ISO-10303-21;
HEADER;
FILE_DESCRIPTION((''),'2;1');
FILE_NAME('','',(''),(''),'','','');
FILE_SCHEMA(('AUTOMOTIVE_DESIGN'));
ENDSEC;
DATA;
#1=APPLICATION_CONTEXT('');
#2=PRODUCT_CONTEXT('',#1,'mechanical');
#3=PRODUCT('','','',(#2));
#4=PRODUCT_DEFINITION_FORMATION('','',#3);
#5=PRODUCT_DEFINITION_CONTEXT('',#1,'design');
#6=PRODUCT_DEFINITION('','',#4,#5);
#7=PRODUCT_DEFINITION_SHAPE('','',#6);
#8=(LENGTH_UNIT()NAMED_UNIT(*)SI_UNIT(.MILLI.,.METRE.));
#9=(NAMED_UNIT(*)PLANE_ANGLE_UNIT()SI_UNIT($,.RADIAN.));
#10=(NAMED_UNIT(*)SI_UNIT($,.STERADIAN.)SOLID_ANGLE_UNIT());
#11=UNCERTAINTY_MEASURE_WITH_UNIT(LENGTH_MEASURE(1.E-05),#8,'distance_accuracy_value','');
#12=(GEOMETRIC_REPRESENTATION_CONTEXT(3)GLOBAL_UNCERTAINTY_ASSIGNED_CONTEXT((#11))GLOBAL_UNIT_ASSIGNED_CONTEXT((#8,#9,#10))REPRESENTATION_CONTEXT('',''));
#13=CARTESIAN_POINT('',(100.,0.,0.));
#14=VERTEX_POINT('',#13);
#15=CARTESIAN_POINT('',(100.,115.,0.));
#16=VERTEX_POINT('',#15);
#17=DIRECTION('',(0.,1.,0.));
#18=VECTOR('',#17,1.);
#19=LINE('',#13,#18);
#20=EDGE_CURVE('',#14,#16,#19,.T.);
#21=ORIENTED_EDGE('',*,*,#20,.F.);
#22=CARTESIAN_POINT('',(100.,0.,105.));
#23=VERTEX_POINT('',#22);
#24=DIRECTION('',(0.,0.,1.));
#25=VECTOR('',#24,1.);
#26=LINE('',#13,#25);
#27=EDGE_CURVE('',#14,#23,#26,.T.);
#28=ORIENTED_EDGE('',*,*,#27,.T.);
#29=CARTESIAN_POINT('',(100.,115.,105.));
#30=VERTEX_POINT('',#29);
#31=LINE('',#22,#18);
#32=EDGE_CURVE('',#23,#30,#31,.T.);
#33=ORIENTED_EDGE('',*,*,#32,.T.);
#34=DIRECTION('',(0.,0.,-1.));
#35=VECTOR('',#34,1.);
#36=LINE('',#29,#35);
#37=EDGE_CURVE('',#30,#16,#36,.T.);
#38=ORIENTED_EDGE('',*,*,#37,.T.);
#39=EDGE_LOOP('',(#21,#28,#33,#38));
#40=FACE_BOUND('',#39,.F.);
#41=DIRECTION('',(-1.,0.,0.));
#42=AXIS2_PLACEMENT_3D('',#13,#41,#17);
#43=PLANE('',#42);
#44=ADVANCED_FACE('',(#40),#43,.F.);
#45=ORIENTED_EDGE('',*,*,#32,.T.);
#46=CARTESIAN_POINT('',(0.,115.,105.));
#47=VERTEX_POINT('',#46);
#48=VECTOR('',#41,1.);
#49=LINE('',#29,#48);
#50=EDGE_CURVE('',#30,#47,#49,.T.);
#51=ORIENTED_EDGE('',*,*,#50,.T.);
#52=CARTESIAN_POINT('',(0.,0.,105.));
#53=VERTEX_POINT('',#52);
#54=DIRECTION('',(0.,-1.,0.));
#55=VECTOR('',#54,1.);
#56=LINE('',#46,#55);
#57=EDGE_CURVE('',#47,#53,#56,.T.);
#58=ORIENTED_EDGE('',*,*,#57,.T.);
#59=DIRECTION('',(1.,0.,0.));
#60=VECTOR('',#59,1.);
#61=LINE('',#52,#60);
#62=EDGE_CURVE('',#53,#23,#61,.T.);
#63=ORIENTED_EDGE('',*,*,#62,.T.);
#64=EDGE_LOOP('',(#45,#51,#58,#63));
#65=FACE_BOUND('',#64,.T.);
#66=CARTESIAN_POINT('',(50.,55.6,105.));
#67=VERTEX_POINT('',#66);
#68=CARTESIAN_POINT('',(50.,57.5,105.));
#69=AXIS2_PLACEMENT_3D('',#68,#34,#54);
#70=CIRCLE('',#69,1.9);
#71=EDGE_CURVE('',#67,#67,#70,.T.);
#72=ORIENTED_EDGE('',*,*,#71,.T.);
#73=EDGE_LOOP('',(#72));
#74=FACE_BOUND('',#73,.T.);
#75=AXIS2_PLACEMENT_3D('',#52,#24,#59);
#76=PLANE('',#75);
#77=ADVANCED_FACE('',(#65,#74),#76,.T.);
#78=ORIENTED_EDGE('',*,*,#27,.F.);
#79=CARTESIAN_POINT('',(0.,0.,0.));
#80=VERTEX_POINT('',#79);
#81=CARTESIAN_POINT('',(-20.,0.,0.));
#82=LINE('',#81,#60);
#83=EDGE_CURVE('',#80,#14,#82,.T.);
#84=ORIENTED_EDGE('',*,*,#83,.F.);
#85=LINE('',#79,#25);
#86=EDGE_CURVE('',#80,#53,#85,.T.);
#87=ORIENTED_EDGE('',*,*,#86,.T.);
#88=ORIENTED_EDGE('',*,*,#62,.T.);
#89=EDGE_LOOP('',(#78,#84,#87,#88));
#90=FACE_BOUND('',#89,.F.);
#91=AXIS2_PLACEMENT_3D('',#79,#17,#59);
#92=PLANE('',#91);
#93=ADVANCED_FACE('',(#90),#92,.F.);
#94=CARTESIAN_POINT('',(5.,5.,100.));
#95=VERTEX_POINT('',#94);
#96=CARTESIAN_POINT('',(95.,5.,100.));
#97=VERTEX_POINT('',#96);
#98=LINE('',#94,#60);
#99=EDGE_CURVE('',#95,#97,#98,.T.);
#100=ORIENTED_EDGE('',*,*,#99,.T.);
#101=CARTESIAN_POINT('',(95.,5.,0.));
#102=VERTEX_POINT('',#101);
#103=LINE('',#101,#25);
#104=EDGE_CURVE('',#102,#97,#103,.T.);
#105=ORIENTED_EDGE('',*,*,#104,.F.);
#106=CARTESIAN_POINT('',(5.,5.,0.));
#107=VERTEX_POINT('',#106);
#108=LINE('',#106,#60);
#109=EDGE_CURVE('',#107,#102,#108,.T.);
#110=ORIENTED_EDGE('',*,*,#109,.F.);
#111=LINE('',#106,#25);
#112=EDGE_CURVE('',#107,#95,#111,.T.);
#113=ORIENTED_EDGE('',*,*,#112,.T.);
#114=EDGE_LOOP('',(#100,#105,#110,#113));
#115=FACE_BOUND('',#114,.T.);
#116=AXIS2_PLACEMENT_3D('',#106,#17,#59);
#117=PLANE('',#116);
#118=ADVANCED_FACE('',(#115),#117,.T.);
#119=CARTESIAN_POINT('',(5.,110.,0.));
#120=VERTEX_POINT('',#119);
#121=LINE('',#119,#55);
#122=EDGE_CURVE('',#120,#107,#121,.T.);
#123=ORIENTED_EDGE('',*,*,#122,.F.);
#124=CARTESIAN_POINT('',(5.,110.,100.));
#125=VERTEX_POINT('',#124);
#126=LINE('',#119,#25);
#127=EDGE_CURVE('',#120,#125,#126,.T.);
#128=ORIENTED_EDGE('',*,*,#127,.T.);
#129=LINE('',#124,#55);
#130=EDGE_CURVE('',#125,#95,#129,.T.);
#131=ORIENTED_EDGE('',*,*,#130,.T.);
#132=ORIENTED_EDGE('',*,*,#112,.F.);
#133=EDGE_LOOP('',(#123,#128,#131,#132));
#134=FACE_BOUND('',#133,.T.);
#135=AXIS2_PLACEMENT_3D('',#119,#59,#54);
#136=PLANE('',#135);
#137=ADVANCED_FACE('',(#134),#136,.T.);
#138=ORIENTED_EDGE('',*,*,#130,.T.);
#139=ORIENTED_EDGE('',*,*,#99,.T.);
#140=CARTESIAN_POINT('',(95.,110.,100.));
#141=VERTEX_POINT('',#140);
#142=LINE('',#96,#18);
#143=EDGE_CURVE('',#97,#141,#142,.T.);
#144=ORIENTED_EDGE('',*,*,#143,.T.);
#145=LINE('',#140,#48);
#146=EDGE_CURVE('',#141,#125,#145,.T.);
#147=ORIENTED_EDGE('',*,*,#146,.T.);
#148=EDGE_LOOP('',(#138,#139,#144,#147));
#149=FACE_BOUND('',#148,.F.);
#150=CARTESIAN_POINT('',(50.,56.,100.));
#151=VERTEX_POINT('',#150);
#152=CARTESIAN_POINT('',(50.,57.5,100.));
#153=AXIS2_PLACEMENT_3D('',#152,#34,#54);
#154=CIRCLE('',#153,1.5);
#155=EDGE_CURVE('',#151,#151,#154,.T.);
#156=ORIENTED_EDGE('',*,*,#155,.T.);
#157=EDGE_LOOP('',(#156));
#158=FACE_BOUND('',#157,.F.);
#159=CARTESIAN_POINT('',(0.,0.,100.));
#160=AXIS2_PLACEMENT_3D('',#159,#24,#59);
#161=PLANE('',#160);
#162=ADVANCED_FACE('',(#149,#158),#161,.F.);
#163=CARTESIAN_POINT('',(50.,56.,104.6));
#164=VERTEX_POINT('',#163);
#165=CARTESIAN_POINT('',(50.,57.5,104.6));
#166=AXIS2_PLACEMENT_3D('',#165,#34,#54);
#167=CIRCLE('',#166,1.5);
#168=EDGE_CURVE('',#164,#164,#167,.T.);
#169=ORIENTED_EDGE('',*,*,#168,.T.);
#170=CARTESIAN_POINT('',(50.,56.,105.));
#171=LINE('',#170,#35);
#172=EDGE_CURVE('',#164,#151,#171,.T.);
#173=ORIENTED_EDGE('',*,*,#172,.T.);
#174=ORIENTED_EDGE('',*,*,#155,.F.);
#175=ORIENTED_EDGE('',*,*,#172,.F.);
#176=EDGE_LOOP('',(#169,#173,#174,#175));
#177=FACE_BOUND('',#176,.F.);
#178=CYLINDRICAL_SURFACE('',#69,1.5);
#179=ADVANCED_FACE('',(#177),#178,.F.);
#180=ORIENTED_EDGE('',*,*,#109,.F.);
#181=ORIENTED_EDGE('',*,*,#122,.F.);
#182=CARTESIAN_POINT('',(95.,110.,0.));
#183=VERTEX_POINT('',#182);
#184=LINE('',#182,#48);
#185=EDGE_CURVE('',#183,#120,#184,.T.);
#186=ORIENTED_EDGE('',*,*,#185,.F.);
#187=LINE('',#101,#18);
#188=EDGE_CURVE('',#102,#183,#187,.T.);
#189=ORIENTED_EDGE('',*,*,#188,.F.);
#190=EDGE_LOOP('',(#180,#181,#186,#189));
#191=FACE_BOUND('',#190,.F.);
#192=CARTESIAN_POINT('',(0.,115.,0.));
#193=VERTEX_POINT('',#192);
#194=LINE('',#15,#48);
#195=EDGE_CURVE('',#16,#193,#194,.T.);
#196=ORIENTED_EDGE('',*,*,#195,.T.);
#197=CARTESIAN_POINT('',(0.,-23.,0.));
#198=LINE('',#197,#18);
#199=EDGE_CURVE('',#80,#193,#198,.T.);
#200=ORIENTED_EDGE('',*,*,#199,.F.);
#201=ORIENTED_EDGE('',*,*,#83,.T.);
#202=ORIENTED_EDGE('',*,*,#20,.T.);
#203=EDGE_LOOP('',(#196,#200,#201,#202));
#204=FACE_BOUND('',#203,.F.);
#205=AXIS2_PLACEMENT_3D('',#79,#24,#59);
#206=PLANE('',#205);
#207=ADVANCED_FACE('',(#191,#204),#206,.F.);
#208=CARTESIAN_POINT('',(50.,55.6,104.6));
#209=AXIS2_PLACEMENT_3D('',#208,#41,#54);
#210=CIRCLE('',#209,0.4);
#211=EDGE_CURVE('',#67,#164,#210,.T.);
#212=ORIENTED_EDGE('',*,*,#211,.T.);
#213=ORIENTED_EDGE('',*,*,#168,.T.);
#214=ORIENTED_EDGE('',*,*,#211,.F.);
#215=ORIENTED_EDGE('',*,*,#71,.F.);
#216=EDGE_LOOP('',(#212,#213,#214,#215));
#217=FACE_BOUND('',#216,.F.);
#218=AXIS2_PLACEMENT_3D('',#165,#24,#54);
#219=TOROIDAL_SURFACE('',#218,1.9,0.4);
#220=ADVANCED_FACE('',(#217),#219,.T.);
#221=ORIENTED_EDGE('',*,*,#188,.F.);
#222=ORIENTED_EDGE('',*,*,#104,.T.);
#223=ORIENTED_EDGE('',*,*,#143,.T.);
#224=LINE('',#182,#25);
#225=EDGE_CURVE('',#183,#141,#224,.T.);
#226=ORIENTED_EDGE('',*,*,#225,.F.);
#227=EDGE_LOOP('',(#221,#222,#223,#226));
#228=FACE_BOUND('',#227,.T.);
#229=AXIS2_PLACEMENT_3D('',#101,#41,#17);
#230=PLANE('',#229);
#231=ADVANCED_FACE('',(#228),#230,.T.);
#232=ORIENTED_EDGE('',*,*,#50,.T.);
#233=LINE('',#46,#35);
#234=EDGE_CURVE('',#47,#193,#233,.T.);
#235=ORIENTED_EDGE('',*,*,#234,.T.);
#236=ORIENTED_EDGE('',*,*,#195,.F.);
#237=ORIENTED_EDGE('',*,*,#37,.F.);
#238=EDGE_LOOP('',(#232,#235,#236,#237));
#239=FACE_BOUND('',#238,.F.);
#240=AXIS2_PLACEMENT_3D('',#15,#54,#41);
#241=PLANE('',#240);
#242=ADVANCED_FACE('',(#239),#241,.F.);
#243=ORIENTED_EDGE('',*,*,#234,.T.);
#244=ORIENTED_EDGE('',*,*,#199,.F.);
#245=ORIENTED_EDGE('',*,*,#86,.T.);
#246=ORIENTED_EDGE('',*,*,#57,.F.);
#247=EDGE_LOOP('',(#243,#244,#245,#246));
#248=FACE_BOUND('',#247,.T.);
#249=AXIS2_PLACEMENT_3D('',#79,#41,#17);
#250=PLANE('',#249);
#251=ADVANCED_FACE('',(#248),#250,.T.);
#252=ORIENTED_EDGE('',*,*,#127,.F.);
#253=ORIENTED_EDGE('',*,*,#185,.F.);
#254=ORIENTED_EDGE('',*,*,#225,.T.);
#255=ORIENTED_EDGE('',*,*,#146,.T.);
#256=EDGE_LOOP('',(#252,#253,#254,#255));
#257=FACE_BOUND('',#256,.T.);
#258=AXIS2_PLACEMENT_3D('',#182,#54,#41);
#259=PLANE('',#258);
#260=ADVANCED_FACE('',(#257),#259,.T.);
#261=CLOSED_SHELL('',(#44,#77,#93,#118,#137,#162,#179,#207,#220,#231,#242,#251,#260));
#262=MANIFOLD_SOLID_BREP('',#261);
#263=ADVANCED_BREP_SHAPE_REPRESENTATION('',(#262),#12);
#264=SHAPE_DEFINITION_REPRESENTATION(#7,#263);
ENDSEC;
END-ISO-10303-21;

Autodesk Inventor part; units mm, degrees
ref_plane "YZ Plane" through (0, 0, 0) normal (1, 0, 0) x (0, 1, 0)
ref_plane "XZ Plane" through (0, 0, 0) normal (0, 1, 0) x (-1, 0, 0)
ref_plane "XY Plane" through (0, 0, 0) normal (0, 0, 1) x (1, 0, 0)
sketch "Skizze1" plane through (0, 0, 0) normal (0, 0, 1) x (1, 0, 0)
  line L0 (-20, 0) -> (120, 0) projected
  line L1 (0, -23) -> (0, 138) projected
  line L2 (0, 0) -> (100, 0)
  line L3 (100, 0) -> (100, 115)
  line L4 (100, 115) -> (0, 115)
  line L5 (0, 115) -> (0, 0)
  line L6 (5, 5) -> (95, 5)
  line L7 (95, 5) -> (95, 110)
  line L8 (95, 110) -> (5, 110)
  line L9 (5, 110) -> (5, 5)
  point P0 (0, 115)
  dimension "d0" = 5
  dimension "d1" = 5
  dimension "d2" = 5
  dimension "d3" = 5
  dimension "d4" = 90
  dimension "d5" = 105
extrude "Extrusion1" add sketch "Skizze1" along normal blind 100
sketch "Skizze2" plane through (0, 0, 100) normal (0, 0, 1) x (1, 0, 0)
  line L0 (0, 115) -> (0, 0) projected
  line L1 (0, 0) -> (100, 0)
  line L2 (100, 0) -> (100, 115)
  line L3 (100, 115) -> (0, 115)
  line L4 (0, 115) -> (0, 0)
extrude "Extrusion2" add sketch "Skizze2" along normal blind 5
sketch "Skizze3" plane through (0, 0, 105) normal (0, 0, 1) x (1, 0, 0)
  line L0 (100, 0) -> (100, 115) projected
  line L1 (100, 115) -> (0, 115) projected
  point P0 (0, 0)
  point P1 (50, 57.5)
  dimension "d10" = 50
  dimension "d11" = 57.5
hole "Bohrung1" at (50, 57.5, 105) direction (0, 0, -1) diameter 3 end through all
fillet "Rundung1" radius 0.4 1 edges at (50, 59, 105)
properties part number "Deckel_Koch_final" material "PMMA-Kunststoff"
